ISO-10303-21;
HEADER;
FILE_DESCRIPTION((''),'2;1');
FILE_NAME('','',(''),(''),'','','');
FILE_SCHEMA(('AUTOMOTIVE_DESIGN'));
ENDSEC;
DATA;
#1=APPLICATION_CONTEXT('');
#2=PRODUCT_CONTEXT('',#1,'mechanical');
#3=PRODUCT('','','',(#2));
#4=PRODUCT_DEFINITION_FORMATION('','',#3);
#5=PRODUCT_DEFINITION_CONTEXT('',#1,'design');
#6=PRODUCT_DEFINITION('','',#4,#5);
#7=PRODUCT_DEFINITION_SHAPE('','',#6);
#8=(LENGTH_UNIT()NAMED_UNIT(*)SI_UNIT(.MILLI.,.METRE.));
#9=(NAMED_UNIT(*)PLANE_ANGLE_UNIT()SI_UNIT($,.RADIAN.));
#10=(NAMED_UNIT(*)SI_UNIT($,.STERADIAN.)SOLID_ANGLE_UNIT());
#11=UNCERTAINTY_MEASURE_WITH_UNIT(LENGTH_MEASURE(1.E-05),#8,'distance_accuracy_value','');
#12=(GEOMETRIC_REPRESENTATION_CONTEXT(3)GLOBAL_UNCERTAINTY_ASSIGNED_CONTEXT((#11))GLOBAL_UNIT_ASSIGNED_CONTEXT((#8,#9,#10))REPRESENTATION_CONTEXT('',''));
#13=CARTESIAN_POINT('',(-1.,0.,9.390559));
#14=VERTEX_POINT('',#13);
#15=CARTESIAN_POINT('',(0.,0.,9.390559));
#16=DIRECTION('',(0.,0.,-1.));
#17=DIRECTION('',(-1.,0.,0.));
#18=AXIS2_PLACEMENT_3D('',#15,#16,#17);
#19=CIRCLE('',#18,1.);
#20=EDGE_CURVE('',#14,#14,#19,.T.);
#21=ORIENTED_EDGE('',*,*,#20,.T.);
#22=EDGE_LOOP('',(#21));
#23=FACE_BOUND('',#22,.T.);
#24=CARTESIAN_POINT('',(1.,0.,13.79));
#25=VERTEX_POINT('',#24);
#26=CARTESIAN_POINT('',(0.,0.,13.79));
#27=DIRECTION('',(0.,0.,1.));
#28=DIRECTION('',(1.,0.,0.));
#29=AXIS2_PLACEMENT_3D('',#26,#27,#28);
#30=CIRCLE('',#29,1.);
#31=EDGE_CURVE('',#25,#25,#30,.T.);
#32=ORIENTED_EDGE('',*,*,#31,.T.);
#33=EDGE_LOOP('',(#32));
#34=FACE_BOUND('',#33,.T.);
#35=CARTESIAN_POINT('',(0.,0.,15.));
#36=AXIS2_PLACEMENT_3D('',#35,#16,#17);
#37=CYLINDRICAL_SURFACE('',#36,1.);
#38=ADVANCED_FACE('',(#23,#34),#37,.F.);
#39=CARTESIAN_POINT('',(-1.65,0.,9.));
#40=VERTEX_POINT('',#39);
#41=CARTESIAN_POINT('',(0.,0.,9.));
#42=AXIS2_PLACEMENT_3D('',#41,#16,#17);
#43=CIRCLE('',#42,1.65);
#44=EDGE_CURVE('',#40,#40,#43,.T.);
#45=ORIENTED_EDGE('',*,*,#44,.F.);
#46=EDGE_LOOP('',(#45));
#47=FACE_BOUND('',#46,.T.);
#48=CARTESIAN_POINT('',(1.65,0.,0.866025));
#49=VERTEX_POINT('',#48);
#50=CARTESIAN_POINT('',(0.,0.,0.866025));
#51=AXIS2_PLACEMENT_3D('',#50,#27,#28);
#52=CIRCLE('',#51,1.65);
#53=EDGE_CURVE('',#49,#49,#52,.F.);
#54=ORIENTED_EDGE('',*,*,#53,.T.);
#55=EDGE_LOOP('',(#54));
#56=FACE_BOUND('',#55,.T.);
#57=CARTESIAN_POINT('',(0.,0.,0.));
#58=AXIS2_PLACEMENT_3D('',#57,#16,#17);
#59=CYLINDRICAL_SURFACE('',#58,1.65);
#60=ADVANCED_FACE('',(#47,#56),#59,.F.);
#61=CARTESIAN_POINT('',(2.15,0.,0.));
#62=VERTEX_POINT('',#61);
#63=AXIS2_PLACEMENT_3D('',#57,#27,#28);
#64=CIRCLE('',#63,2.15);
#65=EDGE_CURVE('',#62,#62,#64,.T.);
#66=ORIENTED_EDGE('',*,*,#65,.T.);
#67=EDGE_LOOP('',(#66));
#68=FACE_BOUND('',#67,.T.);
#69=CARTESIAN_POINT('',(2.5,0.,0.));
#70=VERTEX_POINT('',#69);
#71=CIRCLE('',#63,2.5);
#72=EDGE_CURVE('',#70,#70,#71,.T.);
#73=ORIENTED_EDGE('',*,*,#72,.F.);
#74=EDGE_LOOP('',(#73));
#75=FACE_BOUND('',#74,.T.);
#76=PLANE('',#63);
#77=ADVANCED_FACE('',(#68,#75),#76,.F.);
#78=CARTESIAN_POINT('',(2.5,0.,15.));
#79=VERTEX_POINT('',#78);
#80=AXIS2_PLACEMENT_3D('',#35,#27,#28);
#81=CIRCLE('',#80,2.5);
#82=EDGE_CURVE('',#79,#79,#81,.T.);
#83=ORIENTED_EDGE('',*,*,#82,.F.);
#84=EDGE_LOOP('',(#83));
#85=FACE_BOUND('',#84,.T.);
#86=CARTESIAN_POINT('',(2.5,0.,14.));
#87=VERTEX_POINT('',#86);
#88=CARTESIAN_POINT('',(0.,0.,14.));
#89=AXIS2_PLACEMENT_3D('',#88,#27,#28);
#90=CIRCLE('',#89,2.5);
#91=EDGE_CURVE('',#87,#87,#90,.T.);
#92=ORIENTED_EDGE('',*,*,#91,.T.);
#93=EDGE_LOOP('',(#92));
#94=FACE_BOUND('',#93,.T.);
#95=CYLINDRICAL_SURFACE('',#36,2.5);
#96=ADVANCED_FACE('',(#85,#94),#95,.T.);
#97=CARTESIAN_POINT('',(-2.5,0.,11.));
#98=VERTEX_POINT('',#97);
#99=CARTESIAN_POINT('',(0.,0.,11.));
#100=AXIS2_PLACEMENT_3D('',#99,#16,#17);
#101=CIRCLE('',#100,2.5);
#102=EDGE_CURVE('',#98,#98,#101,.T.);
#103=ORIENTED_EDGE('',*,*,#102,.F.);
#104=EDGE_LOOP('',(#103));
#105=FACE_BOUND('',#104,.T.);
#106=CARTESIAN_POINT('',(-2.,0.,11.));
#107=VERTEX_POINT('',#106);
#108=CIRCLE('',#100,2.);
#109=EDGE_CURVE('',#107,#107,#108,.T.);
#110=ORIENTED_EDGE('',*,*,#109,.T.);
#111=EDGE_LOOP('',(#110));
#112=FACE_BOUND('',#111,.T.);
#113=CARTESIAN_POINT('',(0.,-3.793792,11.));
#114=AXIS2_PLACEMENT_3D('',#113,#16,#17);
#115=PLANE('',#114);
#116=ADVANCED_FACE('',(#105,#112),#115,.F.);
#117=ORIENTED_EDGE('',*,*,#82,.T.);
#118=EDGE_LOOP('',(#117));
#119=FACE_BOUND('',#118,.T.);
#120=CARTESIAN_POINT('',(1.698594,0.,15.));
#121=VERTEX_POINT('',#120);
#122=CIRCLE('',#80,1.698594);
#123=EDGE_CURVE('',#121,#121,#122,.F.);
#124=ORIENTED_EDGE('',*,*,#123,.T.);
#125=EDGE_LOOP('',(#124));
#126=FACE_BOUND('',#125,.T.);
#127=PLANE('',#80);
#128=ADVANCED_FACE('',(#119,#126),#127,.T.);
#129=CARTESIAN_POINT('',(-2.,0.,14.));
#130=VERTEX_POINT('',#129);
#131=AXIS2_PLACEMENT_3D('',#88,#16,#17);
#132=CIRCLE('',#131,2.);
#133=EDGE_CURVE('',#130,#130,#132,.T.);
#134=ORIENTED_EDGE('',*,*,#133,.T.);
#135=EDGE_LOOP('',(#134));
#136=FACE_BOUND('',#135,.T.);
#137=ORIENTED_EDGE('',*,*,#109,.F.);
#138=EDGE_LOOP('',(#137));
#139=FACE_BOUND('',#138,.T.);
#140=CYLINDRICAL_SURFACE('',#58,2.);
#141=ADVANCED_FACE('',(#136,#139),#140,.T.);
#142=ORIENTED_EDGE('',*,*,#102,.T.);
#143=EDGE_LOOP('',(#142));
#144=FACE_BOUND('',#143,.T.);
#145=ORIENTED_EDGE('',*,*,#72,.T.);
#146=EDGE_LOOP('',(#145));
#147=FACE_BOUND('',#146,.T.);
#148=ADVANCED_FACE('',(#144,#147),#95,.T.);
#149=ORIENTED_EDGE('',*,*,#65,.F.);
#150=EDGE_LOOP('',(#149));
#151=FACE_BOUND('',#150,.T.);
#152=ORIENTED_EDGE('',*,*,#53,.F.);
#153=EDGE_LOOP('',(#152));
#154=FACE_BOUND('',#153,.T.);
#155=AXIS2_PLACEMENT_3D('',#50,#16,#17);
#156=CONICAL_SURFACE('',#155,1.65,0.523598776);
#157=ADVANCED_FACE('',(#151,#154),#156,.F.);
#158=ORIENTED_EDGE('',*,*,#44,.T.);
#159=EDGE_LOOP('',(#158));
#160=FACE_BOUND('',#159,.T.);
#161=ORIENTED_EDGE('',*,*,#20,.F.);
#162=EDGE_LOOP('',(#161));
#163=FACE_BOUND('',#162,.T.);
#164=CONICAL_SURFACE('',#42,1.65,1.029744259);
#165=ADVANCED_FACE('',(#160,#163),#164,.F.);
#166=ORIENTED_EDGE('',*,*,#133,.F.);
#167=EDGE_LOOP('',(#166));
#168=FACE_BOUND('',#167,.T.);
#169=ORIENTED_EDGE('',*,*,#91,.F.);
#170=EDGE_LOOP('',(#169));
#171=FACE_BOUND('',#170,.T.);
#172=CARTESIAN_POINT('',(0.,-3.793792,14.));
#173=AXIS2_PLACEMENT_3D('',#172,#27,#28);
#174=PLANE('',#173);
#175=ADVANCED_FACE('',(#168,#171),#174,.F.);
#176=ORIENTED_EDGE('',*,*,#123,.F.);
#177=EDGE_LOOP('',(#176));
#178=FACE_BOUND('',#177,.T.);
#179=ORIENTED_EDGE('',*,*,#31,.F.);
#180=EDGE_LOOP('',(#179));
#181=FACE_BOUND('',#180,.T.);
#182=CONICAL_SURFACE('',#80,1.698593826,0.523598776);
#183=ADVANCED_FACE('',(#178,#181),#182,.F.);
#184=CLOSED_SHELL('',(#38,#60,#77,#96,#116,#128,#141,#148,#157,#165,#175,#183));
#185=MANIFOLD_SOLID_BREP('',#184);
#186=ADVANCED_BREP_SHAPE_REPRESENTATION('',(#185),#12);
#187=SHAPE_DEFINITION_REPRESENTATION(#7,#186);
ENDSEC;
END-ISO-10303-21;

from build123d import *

# Parameters (mm, degrees)
SKETCH1_R                       = 2.5
BOSS_EXTRUDE1_DEPTH             = 15
SKETCH2_R                       = 1
CUT_EXTRUDE1_DEPTH              = 16.411035007
TAP_DRILL_FOR_M4X0_7_TAP1_D     = 3.3
TAP_DRILL_FOR_M4X0_7_TAP1_DEPTH = 9
TAP_DRILL_FOR_M4X0_7_TAP1_TIP   = 0.991420021
SKETCH5_W                       = 3
SKETCH5_H                       = 1.793791595
CHAMFER1_SIZE                   = 0.5
CHAMFER1_SIZE2                  = 0.866025404
CHAMFER2_SIZE                   = 1.21
CHAMFER2_SIZE2                  = 0.698593826


with BuildPart() as part:
    # Sketch1 → Boss-Extrude1 (new body)
    with BuildSketch(Plane.XY):
        Circle(SKETCH1_R)
    extrude(amount=BOSS_EXTRUDE1_DEPTH)

    # Sketch2 → Cut-Extrude1 (cut, through all)
    with BuildSketch(Plane(origin=(0, 0, 0), x_dir=(-1, 0, 0), z_dir=(0, 0, -1))):
        Circle(SKETCH2_R)
    extrude(amount=-CUT_EXTRUDE1_DEPTH, mode=Mode.SUBTRACT)

    # Tap Drill for M4x0.7 Tap1
    with Locations(Plane(origin=(0, 0, 0), x_dir=(-1, 0, 0), z_dir=(0, 0, -1))):
        with Locations((0, 0)):
            Hole(TAP_DRILL_FOR_M4X0_7_TAP1_D / 2, depth=TAP_DRILL_FOR_M4X0_7_TAP1_DEPTH)
            with Locations((0, 0, -(TAP_DRILL_FOR_M4X0_7_TAP1_DEPTH + TAP_DRILL_FOR_M4X0_7_TAP1_TIP / 2))):  # 118° drill point
                Cone(0, TAP_DRILL_FOR_M4X0_7_TAP1_D / 2, TAP_DRILL_FOR_M4X0_7_TAP1_TIP, mode=Mode.SUBTRACT)

    # Sketch5 → Cut-Revolve1 (revolve, cut)
    with BuildSketch(Plane(origin=(0, 0, 0), x_dir=(0, 0, -1), z_dir=(1, 0, 0)), mode=Mode.PRIVATE) as cut_revolve1_sk:
        with Locations((-12.5, 2.896895798)):
            Rectangle(SKETCH5_W, SKETCH5_H)
    revolve(cut_revolve1_sk.sketch.rotate(Axis((0, 0, 0), (0, 0, 1)), 90), axis=Axis((0, 0, 0), (0, 0, 1)), mode=Mode.SUBTRACT)

    # Chamfer1
    chamfer1_edges = [part.edges().sort_by_distance(p)[0] for p in [
        (-1.65, 0, 0),
    ]]
    chamfer1_side = [part.faces().sort_by_distance(p)[0] for p in [
        (-2.429289322, 0, 0),
    ]]
    chamfer(chamfer1_edges, length=CHAMFER1_SIZE, length2=CHAMFER1_SIZE2, reference=chamfer1_side[0])

    # Chamfer2
    chamfer2_edges = [part.edges().sort_by_distance(p)[0] for p in [
        (1, 0, 15),
    ]]
    chamfer2_side = [part.faces().sort_by_distance(p)[0] for p in [
        (1, 0, 12.195279701),
    ]]
    chamfer(chamfer2_edges, length=CHAMFER2_SIZE, length2=CHAMFER2_SIZE2, reference=chamfer2_side[0])


solid = part.part
